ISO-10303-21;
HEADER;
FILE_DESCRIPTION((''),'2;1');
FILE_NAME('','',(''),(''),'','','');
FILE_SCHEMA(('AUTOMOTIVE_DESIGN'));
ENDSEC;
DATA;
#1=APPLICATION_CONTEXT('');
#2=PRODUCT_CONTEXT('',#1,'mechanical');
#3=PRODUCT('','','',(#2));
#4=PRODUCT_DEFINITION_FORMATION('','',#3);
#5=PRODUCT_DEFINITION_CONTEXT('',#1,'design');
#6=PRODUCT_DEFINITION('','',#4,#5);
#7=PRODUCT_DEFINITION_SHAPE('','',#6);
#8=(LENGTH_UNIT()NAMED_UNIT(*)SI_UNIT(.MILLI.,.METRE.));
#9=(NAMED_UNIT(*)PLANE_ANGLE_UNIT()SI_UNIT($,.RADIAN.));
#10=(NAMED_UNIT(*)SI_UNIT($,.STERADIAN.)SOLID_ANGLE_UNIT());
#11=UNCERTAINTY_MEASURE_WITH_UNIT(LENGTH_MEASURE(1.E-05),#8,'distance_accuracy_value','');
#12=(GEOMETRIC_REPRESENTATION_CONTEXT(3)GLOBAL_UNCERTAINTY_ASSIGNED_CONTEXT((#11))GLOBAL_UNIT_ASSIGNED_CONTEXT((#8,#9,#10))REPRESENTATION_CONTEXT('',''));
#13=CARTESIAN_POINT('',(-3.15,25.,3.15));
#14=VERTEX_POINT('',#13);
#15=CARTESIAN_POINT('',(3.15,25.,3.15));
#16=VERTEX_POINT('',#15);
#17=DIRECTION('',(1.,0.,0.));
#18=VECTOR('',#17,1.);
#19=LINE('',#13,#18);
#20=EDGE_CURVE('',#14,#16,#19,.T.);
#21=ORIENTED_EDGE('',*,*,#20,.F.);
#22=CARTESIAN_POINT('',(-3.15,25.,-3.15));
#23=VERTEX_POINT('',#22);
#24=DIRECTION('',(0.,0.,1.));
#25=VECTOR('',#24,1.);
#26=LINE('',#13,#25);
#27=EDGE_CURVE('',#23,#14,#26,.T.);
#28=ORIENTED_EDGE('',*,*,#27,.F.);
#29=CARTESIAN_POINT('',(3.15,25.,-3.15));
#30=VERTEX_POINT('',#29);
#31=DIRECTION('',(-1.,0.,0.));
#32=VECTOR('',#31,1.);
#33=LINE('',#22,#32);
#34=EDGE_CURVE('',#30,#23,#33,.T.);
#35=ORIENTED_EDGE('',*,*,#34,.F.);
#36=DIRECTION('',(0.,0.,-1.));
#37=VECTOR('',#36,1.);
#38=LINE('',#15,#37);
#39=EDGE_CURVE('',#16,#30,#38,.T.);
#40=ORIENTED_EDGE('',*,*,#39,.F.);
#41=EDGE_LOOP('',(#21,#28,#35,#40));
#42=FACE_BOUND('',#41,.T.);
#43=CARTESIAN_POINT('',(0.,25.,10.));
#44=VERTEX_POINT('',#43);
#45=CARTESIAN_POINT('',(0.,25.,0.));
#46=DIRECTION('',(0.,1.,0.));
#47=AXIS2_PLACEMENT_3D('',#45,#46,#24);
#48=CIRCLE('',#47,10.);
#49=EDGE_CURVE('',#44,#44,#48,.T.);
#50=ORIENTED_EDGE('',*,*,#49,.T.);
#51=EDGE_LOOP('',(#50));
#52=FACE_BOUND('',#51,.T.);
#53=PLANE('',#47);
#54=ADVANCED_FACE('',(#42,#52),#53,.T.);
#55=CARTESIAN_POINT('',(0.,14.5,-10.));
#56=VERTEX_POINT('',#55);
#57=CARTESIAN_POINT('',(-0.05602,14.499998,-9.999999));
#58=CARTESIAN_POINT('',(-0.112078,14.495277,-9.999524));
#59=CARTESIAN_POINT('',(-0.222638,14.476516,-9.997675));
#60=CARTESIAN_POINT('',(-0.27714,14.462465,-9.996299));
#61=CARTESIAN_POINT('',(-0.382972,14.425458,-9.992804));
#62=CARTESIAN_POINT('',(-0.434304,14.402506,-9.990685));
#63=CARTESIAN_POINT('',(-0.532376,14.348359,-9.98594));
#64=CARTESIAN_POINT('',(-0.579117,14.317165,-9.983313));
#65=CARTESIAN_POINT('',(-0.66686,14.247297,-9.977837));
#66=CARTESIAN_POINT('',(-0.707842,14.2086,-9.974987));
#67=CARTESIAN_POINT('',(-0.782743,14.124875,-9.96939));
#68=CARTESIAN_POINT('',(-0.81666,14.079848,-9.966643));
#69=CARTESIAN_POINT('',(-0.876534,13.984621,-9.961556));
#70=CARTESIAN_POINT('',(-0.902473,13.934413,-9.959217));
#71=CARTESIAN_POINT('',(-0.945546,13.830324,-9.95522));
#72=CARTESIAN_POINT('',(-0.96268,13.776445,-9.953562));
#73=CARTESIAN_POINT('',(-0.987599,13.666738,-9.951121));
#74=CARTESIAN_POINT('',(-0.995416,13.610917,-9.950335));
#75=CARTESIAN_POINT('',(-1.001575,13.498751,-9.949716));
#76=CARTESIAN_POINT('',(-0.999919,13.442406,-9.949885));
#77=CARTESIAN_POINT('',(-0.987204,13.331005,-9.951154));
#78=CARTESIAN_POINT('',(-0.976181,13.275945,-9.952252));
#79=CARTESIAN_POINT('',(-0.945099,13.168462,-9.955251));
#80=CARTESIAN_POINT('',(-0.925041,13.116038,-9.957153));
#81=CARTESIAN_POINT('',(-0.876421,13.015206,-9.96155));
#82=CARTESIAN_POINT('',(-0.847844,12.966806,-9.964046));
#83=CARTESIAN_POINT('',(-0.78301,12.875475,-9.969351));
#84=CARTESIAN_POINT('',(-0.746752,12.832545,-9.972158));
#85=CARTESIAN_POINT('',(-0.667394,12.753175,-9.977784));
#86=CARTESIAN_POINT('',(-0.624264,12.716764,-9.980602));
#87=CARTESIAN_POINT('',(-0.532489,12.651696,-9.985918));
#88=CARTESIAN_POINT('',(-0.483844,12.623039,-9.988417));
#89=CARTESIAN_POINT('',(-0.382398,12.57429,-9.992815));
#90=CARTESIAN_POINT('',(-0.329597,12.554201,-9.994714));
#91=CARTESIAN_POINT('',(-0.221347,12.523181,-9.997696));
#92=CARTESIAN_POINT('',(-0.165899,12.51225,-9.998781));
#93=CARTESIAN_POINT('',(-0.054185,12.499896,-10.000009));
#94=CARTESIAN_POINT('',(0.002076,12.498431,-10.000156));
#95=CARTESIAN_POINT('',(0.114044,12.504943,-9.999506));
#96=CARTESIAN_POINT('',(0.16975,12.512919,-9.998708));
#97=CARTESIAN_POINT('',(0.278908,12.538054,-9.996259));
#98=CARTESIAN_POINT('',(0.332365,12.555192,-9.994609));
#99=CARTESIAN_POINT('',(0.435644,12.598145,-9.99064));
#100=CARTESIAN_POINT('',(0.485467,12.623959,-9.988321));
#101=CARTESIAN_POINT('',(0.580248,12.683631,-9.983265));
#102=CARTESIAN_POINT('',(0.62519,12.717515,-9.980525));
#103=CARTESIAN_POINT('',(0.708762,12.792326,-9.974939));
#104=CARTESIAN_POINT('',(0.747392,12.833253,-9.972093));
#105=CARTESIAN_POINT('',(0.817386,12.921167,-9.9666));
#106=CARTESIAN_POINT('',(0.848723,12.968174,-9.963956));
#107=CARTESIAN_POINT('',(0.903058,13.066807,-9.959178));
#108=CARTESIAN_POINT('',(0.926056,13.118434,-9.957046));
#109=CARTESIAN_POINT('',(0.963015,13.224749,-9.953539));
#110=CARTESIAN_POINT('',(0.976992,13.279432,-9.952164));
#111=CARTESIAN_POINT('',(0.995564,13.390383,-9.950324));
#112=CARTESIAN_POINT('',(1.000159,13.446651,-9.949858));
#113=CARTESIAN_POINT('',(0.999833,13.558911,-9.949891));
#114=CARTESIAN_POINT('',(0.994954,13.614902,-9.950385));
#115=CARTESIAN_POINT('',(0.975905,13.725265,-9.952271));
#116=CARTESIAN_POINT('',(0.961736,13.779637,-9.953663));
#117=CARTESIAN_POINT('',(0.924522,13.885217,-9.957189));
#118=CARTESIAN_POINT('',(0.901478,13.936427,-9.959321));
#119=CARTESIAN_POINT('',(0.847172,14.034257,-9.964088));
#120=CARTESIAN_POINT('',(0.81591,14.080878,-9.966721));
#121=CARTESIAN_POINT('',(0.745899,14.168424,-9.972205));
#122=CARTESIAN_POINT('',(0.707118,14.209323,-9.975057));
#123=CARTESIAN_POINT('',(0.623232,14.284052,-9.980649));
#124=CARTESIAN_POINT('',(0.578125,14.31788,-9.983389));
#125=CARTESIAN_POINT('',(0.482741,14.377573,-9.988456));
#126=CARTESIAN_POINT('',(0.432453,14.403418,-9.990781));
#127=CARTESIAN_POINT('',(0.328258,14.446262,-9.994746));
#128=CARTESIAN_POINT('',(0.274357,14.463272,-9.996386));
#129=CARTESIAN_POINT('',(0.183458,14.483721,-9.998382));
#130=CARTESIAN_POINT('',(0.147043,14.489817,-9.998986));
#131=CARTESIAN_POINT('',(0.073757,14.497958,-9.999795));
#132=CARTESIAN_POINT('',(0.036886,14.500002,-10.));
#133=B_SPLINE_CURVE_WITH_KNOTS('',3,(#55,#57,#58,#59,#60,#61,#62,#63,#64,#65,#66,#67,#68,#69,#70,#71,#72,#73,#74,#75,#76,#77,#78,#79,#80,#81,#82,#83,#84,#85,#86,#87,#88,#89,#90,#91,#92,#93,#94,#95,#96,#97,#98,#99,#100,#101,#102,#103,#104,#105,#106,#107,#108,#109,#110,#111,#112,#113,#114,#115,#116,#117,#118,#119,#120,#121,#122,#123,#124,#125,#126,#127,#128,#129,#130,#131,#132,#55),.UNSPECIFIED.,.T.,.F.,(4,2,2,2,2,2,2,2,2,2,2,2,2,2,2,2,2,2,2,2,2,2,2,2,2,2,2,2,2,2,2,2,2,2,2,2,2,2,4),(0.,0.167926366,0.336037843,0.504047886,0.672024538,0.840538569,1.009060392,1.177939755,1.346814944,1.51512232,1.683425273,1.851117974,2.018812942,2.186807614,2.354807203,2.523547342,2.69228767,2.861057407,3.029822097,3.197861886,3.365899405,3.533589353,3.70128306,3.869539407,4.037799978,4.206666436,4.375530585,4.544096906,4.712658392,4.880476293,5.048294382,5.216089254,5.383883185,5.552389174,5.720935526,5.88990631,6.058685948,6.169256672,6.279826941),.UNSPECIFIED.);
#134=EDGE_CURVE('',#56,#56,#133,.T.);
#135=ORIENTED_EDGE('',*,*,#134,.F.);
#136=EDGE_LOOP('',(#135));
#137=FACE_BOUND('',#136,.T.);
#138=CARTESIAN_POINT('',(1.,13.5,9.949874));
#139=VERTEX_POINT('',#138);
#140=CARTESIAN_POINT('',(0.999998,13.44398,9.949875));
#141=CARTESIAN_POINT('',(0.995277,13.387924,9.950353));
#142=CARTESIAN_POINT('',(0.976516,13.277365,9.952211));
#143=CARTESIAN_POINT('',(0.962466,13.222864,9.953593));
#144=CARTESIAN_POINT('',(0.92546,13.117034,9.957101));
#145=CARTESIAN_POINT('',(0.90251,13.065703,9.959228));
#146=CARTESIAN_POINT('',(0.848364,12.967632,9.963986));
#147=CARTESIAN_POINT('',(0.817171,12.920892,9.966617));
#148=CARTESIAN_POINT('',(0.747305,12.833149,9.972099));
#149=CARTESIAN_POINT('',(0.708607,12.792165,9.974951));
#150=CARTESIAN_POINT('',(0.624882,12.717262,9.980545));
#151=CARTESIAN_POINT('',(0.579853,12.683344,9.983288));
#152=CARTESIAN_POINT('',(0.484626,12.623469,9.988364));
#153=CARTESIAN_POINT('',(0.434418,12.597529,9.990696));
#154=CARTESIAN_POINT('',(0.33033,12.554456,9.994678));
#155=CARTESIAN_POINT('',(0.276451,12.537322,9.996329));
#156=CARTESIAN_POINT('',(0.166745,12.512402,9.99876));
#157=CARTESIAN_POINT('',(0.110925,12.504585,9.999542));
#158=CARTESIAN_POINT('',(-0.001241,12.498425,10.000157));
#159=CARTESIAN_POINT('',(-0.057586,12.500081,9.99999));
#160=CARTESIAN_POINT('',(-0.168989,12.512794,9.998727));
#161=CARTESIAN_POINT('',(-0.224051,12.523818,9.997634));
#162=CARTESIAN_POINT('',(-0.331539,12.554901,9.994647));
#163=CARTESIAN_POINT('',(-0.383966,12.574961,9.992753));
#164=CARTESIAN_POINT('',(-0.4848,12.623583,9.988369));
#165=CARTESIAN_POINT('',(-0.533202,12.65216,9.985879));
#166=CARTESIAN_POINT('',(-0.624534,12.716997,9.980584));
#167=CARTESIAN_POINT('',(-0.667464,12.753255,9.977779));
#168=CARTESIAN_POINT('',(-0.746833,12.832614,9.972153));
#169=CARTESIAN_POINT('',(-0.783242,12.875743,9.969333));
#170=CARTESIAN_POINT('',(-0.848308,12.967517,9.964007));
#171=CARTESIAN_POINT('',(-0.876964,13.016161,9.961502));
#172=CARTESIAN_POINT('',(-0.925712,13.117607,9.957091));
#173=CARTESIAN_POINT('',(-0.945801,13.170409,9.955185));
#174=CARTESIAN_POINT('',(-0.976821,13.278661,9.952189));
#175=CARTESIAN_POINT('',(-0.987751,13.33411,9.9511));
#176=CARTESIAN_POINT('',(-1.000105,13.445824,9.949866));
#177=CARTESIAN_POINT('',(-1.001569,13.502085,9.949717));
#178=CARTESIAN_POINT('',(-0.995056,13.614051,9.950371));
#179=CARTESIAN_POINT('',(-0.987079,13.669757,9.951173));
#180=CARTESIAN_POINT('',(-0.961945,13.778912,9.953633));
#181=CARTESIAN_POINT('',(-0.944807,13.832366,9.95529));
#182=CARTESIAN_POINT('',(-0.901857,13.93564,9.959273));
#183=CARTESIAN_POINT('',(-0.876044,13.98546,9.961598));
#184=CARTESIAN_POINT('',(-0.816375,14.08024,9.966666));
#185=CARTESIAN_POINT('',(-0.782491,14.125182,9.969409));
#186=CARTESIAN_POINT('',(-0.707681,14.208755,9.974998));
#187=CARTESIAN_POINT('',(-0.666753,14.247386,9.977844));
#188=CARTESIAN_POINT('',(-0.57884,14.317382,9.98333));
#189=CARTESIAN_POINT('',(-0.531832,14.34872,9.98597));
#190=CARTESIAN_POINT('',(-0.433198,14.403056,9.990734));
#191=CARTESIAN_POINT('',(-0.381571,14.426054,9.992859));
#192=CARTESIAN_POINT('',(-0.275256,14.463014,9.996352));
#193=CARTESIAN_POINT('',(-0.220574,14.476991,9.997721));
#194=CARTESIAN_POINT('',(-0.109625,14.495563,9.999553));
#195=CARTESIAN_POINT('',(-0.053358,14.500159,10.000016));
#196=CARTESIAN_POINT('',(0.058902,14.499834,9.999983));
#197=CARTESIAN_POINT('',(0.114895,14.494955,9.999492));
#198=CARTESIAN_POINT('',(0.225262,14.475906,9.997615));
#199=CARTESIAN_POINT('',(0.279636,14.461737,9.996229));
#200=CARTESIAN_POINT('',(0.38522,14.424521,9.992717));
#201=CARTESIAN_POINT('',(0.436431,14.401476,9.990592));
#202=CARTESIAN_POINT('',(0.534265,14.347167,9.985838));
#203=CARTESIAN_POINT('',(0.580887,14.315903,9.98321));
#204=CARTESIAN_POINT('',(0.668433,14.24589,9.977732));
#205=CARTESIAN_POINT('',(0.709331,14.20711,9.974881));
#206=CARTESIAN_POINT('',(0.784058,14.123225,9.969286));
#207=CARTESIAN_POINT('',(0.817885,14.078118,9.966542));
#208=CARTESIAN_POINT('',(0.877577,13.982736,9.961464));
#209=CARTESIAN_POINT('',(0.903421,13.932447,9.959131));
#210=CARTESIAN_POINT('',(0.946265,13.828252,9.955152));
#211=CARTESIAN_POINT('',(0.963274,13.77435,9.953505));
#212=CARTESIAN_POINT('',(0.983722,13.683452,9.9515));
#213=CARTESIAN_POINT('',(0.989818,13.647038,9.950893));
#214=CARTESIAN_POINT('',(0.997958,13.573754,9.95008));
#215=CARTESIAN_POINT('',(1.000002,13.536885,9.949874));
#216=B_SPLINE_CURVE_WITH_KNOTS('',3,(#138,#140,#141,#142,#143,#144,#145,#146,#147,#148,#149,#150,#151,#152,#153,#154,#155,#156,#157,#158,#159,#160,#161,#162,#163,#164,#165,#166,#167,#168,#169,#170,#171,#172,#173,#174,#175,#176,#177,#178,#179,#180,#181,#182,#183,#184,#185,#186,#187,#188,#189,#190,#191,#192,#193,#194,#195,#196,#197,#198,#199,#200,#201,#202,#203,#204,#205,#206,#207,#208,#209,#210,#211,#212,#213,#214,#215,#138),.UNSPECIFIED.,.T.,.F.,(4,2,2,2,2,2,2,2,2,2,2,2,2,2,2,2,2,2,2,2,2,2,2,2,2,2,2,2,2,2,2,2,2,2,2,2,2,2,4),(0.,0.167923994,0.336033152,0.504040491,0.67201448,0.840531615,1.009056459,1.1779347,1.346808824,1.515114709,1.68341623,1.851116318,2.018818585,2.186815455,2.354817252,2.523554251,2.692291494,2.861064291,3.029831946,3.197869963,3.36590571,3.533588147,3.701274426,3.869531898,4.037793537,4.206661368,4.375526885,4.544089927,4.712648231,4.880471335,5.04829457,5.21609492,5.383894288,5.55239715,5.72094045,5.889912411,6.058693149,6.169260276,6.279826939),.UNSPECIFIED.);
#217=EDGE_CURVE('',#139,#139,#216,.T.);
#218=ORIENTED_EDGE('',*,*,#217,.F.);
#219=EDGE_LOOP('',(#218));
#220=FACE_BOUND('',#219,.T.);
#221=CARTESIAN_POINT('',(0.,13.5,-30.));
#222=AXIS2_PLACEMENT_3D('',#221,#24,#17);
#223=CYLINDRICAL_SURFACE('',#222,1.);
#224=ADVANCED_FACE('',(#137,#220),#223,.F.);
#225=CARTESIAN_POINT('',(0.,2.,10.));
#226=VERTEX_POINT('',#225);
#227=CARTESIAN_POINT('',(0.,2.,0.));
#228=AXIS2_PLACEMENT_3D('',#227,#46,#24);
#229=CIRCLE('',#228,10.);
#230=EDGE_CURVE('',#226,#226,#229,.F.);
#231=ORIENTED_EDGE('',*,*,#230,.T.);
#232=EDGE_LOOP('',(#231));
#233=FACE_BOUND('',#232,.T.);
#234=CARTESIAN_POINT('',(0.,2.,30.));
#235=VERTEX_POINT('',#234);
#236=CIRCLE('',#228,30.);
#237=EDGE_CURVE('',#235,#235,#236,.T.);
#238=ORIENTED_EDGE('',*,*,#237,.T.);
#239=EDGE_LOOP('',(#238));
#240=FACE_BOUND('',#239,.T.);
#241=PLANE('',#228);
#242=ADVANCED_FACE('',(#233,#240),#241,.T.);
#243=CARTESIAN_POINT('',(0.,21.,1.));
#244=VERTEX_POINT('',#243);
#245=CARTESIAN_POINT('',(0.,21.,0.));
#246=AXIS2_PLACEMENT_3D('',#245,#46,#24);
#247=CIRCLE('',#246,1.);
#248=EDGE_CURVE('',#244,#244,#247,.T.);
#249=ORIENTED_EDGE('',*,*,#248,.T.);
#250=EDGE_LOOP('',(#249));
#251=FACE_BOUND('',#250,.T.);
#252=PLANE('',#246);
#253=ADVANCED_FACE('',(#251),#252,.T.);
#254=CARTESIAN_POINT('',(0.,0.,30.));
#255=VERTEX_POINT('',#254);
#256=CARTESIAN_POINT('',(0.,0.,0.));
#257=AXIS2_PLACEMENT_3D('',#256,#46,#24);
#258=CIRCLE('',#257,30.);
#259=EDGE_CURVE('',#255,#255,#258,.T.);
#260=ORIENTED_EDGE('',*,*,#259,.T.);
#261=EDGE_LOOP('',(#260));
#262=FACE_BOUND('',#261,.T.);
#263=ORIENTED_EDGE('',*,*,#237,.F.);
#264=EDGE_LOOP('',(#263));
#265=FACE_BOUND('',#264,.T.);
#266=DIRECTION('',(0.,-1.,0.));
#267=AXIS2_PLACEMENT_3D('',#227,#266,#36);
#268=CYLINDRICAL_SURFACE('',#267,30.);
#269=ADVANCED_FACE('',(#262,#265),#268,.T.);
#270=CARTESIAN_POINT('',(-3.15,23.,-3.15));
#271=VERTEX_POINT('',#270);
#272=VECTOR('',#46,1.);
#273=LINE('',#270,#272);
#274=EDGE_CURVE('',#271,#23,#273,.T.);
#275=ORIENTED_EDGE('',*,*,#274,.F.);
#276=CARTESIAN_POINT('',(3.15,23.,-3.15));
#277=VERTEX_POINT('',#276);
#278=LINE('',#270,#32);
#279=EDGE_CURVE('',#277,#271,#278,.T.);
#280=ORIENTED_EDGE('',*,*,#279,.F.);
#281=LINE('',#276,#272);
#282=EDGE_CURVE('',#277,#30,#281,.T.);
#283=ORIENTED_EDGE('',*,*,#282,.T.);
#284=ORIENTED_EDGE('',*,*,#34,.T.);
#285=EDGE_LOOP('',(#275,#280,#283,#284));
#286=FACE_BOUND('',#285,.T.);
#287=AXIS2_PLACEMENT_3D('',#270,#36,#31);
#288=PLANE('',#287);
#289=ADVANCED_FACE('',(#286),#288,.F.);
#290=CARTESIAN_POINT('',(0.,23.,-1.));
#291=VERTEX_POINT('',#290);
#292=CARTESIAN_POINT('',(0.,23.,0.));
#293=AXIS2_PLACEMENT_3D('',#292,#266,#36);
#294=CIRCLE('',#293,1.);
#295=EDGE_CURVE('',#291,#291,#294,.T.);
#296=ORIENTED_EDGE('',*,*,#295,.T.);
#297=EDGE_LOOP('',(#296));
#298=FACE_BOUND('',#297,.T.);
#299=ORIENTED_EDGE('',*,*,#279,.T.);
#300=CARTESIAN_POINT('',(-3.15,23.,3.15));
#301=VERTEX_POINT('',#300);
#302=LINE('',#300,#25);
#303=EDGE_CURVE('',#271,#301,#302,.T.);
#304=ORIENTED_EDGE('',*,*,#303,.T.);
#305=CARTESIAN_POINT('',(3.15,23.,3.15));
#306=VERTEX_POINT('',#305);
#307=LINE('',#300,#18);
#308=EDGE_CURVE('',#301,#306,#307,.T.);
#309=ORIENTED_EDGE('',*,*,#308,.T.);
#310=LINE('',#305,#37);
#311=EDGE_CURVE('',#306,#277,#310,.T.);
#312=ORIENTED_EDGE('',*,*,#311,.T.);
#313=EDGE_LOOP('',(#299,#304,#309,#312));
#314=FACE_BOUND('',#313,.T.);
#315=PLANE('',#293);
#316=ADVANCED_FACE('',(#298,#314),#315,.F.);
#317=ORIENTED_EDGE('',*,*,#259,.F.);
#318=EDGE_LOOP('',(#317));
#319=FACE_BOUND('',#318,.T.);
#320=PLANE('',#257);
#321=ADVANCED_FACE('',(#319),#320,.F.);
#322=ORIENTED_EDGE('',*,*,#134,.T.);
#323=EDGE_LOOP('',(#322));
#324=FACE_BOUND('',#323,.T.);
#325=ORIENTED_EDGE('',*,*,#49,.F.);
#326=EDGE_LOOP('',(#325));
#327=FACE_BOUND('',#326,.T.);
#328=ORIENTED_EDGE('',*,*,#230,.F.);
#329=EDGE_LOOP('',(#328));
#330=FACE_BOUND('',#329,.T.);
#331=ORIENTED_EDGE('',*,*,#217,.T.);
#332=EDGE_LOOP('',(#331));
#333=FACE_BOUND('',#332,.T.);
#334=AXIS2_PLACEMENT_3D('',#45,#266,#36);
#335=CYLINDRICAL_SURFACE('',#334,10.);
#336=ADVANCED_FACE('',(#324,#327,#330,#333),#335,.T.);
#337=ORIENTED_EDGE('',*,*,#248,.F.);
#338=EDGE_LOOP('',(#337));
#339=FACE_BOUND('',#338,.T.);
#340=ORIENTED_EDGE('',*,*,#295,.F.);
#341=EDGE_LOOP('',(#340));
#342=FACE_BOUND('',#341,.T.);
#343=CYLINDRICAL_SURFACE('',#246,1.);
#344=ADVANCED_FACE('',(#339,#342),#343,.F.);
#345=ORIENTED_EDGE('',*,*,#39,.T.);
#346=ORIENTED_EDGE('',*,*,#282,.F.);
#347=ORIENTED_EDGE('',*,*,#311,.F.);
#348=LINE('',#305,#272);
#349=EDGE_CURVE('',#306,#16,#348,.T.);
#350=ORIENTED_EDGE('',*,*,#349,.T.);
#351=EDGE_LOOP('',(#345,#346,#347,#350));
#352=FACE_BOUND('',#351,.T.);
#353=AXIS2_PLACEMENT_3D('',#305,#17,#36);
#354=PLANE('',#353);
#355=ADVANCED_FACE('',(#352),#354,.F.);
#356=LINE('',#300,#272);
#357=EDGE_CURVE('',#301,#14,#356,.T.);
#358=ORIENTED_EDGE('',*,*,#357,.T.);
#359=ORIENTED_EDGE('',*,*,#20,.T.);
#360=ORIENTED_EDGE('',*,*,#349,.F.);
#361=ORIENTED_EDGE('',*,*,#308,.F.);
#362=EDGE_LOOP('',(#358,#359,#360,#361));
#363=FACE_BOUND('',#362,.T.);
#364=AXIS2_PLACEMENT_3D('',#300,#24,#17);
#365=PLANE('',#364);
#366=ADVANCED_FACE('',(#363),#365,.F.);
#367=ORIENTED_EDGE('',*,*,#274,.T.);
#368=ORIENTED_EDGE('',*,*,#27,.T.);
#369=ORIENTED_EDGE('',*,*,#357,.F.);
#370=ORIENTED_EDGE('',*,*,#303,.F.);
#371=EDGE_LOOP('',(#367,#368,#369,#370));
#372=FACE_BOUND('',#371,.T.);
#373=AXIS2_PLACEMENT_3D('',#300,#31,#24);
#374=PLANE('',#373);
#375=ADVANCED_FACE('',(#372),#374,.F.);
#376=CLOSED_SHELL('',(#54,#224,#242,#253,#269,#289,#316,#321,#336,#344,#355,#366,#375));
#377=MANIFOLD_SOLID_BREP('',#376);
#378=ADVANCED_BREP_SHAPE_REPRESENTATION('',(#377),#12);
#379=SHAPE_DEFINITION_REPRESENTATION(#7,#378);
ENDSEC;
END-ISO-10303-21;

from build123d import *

# Parameters (mm, degrees)
SKETCH_1_R               = 30
EXTRUDE_1_DEPTH          = 2
SKETCH_1_8_R             = 10
EXTRUDE_2_DEPTH          = 25
SKETCH_3_W               = 6.3
SKETCH_3_H               = 6.3
CUT_EXTRUDE_3_DEPTH      = 2
CUT_EXTRUDE_START        = 25
SKETCH_1_9_R             = 1
CUT_EXTRUDE_1_DEPTH      = 4
CUT_EXTRUDE_2_DEPTH      = 50.244289009
CUT_EXTRUDE_2_DEPTH_BACK = 50.244289009
SKETCH_2_R               = 1


with BuildPart() as part:
    # 草图1 → 凸台-拉伸1 (new body)
    with BuildSketch(Plane(origin=(0, 0, 0), x_dir=(1, 0, 0), z_dir=(0, 1, 0))):
        with Locations(Location((0, 0, 0), (0, 0, 270))):
            Circle(SKETCH_1_R)
    extrude(amount=EXTRUDE_1_DEPTH)

    # 草图1<8> → 凸台-拉伸2 (add)
    with BuildSketch(Plane(origin=(0, 0, 0), x_dir=(1, 0, 0), z_dir=(0, 1, 0))):
        with Locations(Location((0, 0, 0), (0, 0, 270))):
            Circle(SKETCH_1_8_R)
    extrude(amount=EXTRUDE_2_DEPTH)

    # 草图3 → 切除-拉伸3 (cut)
    with BuildSketch(Plane(origin=(0, 25, 0), x_dir=(1, 0, 0), z_dir=(0, 1, 0))):
        Rectangle(SKETCH_3_W, SKETCH_3_H)
    extrude(amount=-CUT_EXTRUDE_3_DEPTH, mode=Mode.SUBTRACT)

    # 草图1<9> → 切除-拉伸1 (cut)
    with BuildSketch(Plane(origin=(0, 0, 0), x_dir=(1, 0, 0), z_dir=(0, 1, 0)).offset(CUT_EXTRUDE_START)):
        with Locations(Location((0, 0, 0), (0, 0, 270))):
            Circle(SKETCH_1_9_R)
    extrude(amount=-CUT_EXTRUDE_1_DEPTH, mode=Mode.SUBTRACT)

    # 草图2 → 切除-拉伸2 (cut, two sides: drawn at the far end of the back side and taken through both)
    with BuildSketch(Plane.XY.offset(-CUT_EXTRUDE_2_DEPTH_BACK)):
        with Locations((0, 13.5)):
            Circle(SKETCH_2_R)
    extrude(amount=CUT_EXTRUDE_2_DEPTH + CUT_EXTRUDE_2_DEPTH_BACK, mode=Mode.SUBTRACT)


solid = part.part
